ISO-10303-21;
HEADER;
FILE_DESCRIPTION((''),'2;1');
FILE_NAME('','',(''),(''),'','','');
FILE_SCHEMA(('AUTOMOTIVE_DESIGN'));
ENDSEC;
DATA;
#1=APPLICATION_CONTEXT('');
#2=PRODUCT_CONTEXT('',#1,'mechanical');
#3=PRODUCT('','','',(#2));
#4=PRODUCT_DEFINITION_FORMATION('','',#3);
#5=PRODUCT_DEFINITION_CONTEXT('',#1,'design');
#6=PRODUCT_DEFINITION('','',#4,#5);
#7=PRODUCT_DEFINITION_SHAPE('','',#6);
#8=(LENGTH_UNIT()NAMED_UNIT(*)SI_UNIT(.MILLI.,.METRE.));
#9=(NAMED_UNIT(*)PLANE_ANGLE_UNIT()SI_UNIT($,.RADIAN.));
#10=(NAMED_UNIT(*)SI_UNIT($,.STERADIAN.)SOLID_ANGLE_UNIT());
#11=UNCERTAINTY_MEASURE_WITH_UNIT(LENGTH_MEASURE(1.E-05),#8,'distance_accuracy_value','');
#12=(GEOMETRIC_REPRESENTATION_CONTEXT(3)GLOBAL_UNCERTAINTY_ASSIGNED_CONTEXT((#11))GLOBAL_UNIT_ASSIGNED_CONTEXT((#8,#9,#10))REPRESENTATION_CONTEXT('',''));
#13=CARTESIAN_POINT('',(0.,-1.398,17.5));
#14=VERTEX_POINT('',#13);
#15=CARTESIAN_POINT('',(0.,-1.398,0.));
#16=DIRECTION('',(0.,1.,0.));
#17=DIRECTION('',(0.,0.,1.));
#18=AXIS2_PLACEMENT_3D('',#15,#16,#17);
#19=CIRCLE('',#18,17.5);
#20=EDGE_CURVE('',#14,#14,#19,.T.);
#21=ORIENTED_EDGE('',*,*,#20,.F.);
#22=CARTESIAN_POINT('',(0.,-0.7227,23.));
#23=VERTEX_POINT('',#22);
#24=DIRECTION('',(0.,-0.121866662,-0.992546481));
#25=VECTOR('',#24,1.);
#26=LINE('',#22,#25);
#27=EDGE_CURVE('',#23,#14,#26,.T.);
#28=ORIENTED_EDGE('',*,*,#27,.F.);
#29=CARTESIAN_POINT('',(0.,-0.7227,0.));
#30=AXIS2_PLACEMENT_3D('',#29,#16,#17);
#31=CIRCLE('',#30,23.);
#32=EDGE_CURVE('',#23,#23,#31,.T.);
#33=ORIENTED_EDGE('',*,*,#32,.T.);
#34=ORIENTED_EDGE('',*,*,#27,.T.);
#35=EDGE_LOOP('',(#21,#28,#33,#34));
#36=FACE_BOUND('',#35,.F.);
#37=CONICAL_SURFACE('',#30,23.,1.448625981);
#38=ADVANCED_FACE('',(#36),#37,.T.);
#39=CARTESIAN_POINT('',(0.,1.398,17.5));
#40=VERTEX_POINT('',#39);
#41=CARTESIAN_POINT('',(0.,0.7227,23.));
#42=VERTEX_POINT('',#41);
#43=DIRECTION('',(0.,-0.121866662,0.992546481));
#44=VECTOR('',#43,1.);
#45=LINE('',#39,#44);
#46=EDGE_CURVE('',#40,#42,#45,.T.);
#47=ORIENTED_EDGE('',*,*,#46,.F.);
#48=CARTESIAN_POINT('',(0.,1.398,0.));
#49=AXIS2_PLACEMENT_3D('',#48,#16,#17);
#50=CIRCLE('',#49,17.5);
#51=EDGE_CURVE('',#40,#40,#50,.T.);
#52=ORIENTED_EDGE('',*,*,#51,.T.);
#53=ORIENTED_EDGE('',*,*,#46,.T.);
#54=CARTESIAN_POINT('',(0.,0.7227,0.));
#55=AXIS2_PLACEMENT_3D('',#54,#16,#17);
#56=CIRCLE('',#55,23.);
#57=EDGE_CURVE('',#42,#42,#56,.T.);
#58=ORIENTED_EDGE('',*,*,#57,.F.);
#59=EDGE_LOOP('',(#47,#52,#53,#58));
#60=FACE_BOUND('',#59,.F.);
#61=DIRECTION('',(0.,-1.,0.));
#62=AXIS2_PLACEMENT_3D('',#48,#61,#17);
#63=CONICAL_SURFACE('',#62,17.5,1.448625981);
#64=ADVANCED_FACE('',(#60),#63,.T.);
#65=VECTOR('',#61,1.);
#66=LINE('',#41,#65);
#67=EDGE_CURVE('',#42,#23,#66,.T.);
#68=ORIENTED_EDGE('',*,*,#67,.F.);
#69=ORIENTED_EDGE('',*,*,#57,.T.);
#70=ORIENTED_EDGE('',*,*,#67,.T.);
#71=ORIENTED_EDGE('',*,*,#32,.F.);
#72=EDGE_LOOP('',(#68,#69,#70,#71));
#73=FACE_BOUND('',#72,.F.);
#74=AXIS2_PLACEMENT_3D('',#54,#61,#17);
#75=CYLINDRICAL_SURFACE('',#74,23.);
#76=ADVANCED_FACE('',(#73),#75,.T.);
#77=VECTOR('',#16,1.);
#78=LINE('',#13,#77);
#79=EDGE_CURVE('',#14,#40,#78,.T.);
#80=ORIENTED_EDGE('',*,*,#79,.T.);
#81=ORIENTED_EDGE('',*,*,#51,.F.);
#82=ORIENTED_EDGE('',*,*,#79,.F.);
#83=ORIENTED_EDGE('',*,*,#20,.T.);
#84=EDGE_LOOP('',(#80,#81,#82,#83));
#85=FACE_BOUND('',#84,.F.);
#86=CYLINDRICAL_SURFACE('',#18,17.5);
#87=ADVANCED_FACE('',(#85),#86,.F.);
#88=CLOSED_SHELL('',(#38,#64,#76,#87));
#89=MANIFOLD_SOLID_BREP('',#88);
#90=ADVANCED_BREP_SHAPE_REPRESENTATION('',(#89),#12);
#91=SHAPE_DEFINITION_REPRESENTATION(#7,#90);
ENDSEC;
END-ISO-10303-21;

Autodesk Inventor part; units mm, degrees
ref_plane "YZ Plane" through (0, 0, 0) normal (1, 0, 0) x (0, 1, 0)
ref_plane "XZ Plane" through (0, 0, 0) normal (0, 1, 0) x (-1, 0, 0)
ref_plane "XY Plane" through (0, 0, 0) normal (0, 0, 1) x (1, 0, 0)
sketch "Skizze2" plane through (0, 0, 0) normal (1, 0, 0) x (0, 1, 0)
  line L0 (-1.9572, 0) -> (1.9572, 0) projected
  line L1 (0, 27.6) -> (0, -4.6) construction
  line L2 (-1.398, 17.5) -> (1.398, 17.5)
  line L3 (1.398, 17.5) -> (0.7227, 23)
  line L4 (0.7227, 23) -> (-0.7227, 23)
  line L5 (-0.7227, 23) -> (-1.398, 17.5)
  point P0 (0, 0)
  dimension "d5" = 14
  dimension "d6" = 35
  dimension "d7" = 46
revolve "Umdrehung1" add sketch "Skizze2" angle 360 about axis through (0, 0, 0) along (0, 1, 0)
properties part number "900-30-SEALS-DIN-5419_F2-35" material "ABS-Kunststoff"
